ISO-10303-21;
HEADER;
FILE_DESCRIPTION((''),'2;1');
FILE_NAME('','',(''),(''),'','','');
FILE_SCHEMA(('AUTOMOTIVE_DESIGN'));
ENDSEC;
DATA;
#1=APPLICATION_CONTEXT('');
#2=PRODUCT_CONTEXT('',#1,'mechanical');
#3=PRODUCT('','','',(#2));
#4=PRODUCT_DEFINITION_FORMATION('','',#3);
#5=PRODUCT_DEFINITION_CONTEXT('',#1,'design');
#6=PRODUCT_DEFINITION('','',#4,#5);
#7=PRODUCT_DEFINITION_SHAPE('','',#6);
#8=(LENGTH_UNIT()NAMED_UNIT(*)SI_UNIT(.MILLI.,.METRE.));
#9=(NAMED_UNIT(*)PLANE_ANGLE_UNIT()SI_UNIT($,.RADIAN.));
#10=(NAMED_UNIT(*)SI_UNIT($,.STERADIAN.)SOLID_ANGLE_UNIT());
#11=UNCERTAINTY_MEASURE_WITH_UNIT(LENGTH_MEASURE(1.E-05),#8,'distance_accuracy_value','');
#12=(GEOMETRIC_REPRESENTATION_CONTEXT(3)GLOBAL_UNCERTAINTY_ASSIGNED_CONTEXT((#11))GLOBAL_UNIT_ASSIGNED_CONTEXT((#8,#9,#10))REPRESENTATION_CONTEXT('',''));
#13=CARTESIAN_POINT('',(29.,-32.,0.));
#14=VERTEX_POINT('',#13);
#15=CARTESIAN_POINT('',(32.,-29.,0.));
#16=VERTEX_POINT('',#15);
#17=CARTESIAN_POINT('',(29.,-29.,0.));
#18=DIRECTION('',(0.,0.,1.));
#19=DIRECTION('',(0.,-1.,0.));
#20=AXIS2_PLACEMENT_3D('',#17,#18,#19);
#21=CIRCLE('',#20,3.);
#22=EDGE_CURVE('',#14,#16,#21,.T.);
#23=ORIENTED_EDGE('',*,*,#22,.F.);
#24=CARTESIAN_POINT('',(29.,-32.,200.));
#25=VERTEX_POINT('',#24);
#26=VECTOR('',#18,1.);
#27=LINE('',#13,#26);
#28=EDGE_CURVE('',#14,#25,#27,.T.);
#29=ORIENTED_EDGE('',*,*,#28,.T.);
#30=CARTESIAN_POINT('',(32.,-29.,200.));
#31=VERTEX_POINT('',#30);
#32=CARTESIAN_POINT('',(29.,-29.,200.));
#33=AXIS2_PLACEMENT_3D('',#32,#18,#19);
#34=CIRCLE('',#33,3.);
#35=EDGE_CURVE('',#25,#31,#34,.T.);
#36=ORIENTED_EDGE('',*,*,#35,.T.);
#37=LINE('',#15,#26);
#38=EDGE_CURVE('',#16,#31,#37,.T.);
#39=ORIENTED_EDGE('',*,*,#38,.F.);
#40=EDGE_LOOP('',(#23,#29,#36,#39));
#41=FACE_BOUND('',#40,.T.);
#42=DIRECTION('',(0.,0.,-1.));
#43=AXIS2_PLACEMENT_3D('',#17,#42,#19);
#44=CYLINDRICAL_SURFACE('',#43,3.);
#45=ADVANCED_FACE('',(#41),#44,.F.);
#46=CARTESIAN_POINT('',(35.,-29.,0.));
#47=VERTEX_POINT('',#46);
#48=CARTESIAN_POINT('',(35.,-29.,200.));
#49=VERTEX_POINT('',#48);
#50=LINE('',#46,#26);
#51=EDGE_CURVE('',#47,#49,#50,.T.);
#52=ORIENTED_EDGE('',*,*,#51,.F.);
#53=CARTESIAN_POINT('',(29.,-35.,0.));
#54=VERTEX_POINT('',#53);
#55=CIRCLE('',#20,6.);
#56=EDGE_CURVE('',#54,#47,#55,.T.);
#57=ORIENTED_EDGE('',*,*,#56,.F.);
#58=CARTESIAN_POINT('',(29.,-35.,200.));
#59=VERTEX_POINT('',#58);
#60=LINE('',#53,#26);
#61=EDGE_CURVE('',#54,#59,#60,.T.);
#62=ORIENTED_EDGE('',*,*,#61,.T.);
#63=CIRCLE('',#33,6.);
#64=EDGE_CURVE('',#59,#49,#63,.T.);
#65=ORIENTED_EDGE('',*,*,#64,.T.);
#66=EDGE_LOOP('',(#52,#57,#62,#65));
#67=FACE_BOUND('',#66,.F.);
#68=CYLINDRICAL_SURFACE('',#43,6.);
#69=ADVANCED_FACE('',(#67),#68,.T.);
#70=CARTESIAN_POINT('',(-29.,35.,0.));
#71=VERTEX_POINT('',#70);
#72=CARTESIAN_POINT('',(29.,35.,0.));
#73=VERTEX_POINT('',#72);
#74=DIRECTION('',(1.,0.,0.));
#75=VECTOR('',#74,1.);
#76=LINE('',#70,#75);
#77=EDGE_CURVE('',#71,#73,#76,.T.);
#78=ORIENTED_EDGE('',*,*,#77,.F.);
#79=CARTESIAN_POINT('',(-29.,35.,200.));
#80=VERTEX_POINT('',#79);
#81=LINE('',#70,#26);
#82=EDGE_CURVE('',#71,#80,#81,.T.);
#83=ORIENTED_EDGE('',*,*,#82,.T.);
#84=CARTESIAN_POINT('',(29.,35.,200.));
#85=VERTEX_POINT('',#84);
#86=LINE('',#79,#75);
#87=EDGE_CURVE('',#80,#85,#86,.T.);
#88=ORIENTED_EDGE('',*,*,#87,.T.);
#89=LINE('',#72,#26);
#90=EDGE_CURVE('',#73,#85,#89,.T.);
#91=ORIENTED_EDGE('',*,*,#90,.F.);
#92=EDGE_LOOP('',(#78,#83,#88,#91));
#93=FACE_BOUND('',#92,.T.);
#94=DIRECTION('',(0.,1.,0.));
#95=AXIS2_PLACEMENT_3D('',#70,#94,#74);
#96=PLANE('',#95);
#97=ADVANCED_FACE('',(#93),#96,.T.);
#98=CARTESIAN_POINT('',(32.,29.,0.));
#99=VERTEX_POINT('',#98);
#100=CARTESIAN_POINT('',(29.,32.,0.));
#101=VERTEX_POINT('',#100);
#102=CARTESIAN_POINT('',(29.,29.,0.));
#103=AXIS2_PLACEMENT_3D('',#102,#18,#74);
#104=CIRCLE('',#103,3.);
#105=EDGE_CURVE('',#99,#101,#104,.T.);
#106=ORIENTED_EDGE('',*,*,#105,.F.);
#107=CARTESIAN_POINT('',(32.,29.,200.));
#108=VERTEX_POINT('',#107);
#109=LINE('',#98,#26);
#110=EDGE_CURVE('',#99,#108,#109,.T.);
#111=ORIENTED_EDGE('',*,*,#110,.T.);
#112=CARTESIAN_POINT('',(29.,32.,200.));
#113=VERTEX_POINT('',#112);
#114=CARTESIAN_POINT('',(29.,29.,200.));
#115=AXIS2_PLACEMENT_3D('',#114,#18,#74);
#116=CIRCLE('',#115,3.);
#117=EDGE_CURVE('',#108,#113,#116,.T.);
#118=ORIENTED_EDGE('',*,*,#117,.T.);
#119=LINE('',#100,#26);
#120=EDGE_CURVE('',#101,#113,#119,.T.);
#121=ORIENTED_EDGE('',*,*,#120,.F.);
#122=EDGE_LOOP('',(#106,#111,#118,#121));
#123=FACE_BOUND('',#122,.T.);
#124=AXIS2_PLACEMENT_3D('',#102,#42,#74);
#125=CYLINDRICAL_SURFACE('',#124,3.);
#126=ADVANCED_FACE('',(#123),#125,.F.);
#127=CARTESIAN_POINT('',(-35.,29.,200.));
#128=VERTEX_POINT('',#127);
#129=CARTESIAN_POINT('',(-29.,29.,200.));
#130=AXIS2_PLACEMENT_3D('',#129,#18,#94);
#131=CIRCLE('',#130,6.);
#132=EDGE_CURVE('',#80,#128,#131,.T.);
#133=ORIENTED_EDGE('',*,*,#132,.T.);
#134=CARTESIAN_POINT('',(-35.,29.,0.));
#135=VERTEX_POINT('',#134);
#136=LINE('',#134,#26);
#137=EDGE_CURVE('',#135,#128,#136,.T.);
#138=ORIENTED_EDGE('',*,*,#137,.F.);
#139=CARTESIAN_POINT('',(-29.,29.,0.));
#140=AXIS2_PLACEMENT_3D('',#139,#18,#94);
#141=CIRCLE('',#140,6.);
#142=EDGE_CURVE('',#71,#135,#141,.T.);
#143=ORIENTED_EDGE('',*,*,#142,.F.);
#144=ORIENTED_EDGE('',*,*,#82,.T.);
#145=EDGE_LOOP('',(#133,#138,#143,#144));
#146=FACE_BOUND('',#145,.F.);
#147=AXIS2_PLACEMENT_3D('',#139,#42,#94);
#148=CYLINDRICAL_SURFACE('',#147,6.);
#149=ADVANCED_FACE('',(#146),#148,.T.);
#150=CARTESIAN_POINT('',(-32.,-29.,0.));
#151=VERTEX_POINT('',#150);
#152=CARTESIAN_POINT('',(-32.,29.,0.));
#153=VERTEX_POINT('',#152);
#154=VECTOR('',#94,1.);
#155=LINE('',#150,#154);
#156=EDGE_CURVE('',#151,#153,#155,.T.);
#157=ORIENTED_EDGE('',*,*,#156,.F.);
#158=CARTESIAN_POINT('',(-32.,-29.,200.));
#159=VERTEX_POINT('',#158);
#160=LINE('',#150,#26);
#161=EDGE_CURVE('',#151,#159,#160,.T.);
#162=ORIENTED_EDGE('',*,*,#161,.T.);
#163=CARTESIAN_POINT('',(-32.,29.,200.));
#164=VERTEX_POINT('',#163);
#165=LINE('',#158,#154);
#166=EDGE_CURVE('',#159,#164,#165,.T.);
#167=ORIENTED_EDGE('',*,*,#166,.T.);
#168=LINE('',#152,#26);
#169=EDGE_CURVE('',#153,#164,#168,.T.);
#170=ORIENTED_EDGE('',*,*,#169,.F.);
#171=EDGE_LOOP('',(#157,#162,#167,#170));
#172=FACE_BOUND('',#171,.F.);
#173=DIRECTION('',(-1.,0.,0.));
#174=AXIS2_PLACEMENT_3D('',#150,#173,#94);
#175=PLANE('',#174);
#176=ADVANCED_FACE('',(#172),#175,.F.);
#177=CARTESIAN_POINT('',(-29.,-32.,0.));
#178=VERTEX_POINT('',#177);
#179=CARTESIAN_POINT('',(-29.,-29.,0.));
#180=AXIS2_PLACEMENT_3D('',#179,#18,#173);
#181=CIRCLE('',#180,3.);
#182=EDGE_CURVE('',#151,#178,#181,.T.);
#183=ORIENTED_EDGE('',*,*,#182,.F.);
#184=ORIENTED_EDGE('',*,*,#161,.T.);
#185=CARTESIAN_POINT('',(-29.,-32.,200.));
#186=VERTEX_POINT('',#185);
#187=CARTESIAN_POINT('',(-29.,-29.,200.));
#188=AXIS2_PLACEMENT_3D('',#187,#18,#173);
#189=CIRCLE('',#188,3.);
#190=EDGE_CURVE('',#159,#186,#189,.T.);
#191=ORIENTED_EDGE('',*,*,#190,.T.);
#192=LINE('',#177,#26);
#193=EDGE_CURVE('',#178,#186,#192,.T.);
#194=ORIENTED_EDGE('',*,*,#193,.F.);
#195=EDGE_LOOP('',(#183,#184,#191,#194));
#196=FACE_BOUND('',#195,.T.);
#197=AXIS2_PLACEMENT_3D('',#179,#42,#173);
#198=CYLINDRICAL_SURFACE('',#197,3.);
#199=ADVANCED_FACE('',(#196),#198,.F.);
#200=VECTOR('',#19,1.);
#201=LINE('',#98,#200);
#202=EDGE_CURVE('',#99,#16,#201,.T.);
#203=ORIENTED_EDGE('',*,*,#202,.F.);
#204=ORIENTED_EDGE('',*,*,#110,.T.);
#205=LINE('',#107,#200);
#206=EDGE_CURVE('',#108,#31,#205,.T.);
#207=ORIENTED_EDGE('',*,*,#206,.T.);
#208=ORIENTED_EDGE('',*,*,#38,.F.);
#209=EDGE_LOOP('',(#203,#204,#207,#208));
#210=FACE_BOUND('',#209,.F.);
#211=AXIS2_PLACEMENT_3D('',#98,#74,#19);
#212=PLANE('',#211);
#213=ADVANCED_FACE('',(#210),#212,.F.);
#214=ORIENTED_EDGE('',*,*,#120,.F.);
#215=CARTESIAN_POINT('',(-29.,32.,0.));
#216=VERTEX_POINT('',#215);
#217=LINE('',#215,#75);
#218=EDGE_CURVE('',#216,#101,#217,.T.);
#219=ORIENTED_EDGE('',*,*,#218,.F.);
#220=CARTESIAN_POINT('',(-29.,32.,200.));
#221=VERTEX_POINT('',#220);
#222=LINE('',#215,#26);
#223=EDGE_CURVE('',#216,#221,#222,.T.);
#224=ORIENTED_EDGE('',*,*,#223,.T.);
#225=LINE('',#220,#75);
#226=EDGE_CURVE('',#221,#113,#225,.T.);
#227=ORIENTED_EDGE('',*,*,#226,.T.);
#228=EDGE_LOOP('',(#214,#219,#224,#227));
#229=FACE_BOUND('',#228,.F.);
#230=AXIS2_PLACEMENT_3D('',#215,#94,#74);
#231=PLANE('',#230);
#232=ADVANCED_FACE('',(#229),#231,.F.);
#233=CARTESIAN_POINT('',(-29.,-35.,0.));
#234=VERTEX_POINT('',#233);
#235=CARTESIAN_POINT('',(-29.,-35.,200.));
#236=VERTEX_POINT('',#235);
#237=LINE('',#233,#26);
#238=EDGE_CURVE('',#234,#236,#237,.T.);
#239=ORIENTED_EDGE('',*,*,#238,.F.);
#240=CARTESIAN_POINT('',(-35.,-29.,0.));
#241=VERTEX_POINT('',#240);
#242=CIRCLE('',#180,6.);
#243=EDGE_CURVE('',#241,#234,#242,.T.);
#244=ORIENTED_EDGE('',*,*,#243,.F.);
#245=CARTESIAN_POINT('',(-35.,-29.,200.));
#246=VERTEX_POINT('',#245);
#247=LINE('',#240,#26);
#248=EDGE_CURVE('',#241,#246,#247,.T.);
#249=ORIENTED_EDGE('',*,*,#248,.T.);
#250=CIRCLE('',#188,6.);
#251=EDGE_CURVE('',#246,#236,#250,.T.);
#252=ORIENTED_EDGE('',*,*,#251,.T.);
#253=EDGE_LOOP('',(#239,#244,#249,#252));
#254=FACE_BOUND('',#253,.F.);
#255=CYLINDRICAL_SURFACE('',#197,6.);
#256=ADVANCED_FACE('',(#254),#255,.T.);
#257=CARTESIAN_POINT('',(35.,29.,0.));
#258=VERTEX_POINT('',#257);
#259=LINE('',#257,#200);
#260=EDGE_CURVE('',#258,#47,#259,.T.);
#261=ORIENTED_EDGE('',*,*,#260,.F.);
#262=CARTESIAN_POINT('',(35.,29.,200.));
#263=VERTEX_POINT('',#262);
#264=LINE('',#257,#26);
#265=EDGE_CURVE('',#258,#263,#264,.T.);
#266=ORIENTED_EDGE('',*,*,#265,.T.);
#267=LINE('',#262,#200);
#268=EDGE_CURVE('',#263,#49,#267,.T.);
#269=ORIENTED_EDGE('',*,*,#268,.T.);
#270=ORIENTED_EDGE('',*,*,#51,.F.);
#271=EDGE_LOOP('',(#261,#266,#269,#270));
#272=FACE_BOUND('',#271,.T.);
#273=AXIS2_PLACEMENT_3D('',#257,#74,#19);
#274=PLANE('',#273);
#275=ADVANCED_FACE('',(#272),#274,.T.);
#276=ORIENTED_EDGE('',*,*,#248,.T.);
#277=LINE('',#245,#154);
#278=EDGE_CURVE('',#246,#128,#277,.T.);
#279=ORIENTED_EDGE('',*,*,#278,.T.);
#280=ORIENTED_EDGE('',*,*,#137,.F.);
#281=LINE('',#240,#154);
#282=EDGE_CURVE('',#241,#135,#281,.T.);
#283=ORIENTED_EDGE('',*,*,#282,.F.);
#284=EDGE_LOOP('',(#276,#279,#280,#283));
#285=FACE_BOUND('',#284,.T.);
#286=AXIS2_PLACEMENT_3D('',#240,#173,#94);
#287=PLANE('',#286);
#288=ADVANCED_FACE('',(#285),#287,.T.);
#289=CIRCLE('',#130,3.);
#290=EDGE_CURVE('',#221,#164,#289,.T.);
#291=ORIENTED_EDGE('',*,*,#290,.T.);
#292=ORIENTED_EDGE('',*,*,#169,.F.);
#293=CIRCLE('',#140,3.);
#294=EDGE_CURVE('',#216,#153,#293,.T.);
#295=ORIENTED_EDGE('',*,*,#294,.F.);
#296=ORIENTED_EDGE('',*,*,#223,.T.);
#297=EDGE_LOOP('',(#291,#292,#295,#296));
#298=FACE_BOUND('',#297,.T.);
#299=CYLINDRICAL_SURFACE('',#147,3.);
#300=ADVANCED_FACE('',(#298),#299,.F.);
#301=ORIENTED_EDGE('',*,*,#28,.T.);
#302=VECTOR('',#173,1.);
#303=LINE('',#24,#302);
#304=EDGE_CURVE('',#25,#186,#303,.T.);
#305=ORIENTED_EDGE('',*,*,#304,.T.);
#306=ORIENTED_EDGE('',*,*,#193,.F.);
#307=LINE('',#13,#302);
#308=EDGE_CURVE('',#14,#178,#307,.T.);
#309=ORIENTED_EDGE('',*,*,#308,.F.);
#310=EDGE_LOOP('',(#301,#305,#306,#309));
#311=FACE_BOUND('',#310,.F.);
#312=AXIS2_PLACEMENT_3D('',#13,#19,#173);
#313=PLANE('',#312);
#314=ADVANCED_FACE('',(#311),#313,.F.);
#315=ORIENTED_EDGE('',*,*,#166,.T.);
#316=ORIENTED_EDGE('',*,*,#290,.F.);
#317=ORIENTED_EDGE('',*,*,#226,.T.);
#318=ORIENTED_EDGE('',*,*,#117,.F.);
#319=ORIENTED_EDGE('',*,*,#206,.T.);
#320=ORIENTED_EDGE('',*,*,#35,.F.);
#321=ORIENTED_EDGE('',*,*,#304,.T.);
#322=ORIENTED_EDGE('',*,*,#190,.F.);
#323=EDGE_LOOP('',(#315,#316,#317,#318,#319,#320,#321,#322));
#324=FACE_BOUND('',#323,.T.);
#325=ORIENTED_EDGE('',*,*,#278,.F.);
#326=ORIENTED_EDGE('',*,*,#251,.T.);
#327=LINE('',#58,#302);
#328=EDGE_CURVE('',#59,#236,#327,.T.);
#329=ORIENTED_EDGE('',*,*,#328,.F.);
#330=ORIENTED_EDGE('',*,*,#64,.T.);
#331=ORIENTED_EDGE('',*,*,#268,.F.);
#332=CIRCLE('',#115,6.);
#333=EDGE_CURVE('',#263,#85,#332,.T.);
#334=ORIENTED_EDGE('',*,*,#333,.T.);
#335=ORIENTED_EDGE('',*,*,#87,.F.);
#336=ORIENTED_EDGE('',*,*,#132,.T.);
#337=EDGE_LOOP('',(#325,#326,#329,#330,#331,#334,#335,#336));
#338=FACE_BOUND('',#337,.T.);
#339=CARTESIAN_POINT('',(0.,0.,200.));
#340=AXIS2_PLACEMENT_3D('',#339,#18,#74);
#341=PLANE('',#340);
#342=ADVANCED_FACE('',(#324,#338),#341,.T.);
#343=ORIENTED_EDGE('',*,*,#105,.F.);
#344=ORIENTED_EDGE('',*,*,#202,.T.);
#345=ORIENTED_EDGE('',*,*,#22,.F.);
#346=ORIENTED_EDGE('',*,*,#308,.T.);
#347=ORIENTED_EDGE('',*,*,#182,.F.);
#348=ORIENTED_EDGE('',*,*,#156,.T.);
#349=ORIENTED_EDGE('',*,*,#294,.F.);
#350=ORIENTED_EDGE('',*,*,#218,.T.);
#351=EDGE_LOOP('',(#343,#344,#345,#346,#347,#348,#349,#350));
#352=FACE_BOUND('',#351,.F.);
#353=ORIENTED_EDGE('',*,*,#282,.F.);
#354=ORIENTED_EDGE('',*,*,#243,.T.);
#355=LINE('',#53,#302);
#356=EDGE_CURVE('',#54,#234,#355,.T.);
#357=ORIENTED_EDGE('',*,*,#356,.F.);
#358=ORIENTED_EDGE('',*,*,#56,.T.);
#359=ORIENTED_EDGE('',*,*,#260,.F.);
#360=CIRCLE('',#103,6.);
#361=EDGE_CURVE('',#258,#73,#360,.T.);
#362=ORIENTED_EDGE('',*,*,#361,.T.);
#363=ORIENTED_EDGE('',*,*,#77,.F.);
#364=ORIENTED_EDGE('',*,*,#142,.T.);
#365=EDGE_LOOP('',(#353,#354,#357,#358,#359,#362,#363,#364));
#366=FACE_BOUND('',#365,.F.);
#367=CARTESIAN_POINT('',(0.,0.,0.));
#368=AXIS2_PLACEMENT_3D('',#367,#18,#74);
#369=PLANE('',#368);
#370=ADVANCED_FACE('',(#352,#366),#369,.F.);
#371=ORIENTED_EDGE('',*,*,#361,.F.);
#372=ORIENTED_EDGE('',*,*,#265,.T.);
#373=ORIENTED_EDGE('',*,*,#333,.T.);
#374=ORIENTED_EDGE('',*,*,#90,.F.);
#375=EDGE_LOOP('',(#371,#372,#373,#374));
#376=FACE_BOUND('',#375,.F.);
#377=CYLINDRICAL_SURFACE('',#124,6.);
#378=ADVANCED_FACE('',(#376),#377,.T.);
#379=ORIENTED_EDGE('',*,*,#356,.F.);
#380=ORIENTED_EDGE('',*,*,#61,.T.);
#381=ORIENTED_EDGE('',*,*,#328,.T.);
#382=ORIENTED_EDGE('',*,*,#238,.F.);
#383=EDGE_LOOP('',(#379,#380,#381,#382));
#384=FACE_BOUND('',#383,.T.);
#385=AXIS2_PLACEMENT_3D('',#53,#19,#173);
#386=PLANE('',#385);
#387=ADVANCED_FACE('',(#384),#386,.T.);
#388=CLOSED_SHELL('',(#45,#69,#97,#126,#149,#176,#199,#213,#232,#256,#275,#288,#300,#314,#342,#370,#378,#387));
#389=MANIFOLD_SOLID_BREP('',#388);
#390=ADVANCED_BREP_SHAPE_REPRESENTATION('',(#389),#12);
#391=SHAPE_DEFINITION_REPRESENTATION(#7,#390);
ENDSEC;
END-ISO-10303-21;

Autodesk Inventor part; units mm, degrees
ref_plane "YZ Plane" through (0, 0, 0) normal (1, 0, 0) x (0, 1, 0)
ref_plane "Start Plane" through (0, 0, 0) normal (0, 0, 1) x (1, 0, 0)
ref_plane "End Plane" through (0, 0, 200) normal (0, 0, 1) x (1, 0, 0)
sketch "Sketch" plane through (0, 0, 0) normal (0, 0, 1) x (1, 0, 0)
  line L0 (-35, -29) -> (-35, 29)
  line L1 (-29, 35) -> (29, 35)
  line L2 (35, 29) -> (35, -29)
  line L3 (29, -35) -> (-29, -35)
  arc A0 (-35, -29) -> (-29, -35) centre (-29, -29) ccw
  arc A1 (35, 29) -> (29, 35) centre (29, 29) ccw
  arc A2 (-29, 35) -> (-35, 29) centre (-29, 29) ccw
  arc A3 (29, -35) -> (35, -29) centre (29, -29) ccw
  arc A4 (-29, 32) -> (-32, 29) centre (-29, 29) ccw
  line L4 (-29, 32) -> (29, 32)
  arc A5 (32, 29) -> (29, 32) centre (29, 29) ccw
  line L5 (32, 29) -> (32, -29)
  arc A6 (29, -32) -> (32, -29) centre (29, -29) ccw
  line L6 (29, -32) -> (-29, -32)
  arc A7 (-32, -29) -> (-29, -32) centre (-29, -29) ccw
  line L7 (-32, -29) -> (-32, 29)
  line L8 (0, 50.7397) -> (0, -50.7397) construction
  line L9 (-50.7397, 0) -> (50.7397, 0) construction
  dimension "d7" = 6
  dimension "d9" = 70
  dimension "d11" = 70
  dimension "d12" = 3
  dimension "d15" = 35
  dimension "d16" = 35
extrude "Body" add sketch "Sketch" along normal up to surface (200 mm away) from surface at 0
sketch "Sketch3" plane through (0, 0, 0) normal (0, 0, 1) x (1, 0, 0)
  line L0 (0, 0) -> (10, 0)
ref_plane "Work Plane3" through (0, 0, 0) normal (0, -1, 0) x (1, 0, 0)
sketch "Sketch4" plane through (0, 0, 0) normal (0, -1, 0) x (1, 0, 0)
  line L0 (-2, 0) -> (12, 0)
  line L1 (-2, 200) -> (12, 200)
  dimension "d18" = 200
equation "\"d7\" = G_IR"
equation "\"d9\" = G_W"
equation "\"d11\" = G_H"
equation "\"d12\" = G_T"
equation "\"d15\" = 0.5 * d9"
equation "\"d16\" = 0.5 * d11"
equation "\"d3\" = G_L"
equation "\"G_W\" = 70"
equation "\"G_H\" = 70"
equation "\"G_T\" = 3"
equation "\"G_IR\" = 6"
equation "\"G_L\" = d18"
equation "\"G_OFFSET_START\" = 0"
equation "\"G_OFFSET_END\" = 0"
properties part number "ISO 10799-2 - 70x70x3 - 200" material "Steel, Mild"
